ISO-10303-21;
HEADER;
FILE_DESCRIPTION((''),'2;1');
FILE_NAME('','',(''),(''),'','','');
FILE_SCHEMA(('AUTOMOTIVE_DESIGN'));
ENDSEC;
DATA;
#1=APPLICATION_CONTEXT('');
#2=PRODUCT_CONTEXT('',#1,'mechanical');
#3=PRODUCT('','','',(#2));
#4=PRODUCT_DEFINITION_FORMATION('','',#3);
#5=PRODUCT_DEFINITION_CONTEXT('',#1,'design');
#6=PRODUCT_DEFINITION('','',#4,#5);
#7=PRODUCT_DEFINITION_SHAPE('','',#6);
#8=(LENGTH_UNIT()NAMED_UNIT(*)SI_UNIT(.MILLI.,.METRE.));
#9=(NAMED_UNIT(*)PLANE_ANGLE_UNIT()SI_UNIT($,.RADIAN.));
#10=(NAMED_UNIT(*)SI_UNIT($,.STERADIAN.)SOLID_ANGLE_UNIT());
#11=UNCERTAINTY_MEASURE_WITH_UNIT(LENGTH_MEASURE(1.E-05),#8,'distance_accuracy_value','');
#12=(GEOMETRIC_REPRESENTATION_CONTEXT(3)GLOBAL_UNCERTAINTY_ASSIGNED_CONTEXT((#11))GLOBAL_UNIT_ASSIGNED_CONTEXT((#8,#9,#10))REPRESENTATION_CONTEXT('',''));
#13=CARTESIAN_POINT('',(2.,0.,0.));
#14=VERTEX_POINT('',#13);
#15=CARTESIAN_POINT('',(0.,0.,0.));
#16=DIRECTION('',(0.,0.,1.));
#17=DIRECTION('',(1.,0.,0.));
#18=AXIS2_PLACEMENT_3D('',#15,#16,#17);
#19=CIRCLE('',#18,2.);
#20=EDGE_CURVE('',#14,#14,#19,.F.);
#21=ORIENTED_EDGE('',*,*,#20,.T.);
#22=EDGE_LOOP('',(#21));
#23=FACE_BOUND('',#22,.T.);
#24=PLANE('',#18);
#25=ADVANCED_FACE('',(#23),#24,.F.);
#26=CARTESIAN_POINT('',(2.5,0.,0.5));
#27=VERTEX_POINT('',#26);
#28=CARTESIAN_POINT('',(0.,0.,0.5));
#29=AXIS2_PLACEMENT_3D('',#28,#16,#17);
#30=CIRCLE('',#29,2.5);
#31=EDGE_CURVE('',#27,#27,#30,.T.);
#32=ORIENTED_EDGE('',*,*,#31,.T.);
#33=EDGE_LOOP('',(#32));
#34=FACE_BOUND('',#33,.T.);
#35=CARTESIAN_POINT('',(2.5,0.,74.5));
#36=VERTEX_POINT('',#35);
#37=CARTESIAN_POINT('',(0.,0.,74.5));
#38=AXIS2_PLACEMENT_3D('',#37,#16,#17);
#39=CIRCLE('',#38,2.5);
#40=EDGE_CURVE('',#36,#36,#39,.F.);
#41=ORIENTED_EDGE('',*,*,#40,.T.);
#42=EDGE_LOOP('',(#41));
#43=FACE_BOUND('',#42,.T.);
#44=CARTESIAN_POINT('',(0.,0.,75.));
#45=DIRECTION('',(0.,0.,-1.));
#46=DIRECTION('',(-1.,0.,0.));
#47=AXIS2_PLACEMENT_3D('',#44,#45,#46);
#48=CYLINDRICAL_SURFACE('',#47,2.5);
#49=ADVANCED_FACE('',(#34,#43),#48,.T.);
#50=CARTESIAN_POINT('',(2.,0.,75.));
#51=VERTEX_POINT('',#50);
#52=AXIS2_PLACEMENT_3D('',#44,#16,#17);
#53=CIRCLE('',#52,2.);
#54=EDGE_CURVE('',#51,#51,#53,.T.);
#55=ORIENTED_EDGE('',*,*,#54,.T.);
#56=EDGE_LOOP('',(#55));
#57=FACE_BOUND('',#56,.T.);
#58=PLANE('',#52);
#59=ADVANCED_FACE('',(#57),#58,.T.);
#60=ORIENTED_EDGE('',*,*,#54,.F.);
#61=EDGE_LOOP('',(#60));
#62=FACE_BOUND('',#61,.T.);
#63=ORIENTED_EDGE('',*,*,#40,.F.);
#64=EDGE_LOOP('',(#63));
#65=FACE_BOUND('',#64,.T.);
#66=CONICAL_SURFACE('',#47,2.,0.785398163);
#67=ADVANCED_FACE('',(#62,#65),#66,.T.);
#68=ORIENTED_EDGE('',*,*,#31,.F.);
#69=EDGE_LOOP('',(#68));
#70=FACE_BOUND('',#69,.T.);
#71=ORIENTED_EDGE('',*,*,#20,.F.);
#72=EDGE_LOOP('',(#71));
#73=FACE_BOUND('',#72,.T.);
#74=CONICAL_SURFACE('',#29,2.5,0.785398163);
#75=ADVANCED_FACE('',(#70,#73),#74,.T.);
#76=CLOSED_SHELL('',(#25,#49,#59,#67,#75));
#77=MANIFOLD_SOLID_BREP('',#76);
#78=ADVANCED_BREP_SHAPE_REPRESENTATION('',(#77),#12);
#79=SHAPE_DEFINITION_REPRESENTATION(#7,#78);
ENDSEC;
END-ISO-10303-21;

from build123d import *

# Parameters (mm, degrees)
ESBO_O1_R                = 2.5
RESSALTO_EXTRUS_O1_DEPTH = 75
CHANFRO1_SIZE            = 0.5


with BuildPart() as part:
    # Esboço1 → Ressalto-extrusão1 (new body)
    with BuildSketch(Plane.XY):
        Circle(ESBO_O1_R)
    extrude(amount=RESSALTO_EXTRUS_O1_DEPTH)

    # Chanfro1
    chanfro1_edges = [part.edges().sort_by_distance(p)[0] for p in [
        (-2.5, 0, 0),
        (-2.5, 0, 75),
    ]]
    chamfer(chanfro1_edges, length=CHANFRO1_SIZE)


solid = part.part
